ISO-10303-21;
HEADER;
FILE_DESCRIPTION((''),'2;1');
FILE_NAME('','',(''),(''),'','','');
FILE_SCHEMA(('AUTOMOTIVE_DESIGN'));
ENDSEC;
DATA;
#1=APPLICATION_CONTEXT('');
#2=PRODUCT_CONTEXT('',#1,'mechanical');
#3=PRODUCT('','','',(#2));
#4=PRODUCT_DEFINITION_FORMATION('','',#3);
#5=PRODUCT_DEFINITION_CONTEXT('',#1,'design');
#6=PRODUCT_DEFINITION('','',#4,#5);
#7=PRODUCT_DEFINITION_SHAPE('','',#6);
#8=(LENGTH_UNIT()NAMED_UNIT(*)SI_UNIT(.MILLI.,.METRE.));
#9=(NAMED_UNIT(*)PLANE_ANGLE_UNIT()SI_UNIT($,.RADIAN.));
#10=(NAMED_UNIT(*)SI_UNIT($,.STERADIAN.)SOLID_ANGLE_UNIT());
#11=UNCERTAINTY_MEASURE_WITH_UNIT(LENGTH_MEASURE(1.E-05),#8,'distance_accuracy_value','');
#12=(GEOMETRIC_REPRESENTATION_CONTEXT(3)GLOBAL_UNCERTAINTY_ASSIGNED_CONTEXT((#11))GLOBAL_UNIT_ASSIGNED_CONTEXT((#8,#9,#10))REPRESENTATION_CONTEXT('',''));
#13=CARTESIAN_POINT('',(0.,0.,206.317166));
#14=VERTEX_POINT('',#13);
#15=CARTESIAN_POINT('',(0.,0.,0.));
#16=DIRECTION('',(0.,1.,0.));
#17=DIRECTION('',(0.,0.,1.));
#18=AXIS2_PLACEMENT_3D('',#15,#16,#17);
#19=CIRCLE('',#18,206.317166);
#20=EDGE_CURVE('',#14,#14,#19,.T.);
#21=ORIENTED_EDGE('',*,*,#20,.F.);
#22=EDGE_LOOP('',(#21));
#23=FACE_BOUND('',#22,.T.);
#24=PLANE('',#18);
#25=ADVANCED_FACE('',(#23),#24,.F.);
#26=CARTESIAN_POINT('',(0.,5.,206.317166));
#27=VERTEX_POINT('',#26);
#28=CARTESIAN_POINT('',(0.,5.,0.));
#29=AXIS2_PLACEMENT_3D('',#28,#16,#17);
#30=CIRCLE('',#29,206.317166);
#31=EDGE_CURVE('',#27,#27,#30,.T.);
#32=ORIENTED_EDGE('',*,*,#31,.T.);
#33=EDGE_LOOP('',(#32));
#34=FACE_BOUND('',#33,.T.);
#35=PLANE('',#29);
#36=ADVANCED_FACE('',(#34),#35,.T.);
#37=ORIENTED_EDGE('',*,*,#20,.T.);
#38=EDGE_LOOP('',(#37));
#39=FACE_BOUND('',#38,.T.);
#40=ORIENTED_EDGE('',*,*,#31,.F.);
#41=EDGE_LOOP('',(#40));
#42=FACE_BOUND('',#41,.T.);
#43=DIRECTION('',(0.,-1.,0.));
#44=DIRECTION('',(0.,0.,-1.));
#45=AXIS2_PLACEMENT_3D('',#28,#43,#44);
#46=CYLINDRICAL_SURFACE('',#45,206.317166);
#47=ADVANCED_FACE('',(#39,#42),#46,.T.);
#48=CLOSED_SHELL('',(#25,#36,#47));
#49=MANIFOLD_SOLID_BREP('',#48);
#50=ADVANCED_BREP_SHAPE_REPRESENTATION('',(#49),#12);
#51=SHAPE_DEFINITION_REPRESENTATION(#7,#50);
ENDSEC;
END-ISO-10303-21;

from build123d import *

# Parameters (mm, degrees)
SKETCH1_R           = 206.317165824
BOSS_EXTRUDE1_DEPTH = 5


with BuildPart() as part:
    # Sketch1 → Boss-Extrude1 (new body)
    with BuildSketch(Plane(origin=(0, 0, 0), x_dir=(1, 0, 0), z_dir=(0, 1, 0))):
        with Locations(Location((0, 0, 0), (0, 0, 270))):
            Circle(SKETCH1_R)
    extrude(amount=BOSS_EXTRUDE1_DEPTH)


solid = part.part
